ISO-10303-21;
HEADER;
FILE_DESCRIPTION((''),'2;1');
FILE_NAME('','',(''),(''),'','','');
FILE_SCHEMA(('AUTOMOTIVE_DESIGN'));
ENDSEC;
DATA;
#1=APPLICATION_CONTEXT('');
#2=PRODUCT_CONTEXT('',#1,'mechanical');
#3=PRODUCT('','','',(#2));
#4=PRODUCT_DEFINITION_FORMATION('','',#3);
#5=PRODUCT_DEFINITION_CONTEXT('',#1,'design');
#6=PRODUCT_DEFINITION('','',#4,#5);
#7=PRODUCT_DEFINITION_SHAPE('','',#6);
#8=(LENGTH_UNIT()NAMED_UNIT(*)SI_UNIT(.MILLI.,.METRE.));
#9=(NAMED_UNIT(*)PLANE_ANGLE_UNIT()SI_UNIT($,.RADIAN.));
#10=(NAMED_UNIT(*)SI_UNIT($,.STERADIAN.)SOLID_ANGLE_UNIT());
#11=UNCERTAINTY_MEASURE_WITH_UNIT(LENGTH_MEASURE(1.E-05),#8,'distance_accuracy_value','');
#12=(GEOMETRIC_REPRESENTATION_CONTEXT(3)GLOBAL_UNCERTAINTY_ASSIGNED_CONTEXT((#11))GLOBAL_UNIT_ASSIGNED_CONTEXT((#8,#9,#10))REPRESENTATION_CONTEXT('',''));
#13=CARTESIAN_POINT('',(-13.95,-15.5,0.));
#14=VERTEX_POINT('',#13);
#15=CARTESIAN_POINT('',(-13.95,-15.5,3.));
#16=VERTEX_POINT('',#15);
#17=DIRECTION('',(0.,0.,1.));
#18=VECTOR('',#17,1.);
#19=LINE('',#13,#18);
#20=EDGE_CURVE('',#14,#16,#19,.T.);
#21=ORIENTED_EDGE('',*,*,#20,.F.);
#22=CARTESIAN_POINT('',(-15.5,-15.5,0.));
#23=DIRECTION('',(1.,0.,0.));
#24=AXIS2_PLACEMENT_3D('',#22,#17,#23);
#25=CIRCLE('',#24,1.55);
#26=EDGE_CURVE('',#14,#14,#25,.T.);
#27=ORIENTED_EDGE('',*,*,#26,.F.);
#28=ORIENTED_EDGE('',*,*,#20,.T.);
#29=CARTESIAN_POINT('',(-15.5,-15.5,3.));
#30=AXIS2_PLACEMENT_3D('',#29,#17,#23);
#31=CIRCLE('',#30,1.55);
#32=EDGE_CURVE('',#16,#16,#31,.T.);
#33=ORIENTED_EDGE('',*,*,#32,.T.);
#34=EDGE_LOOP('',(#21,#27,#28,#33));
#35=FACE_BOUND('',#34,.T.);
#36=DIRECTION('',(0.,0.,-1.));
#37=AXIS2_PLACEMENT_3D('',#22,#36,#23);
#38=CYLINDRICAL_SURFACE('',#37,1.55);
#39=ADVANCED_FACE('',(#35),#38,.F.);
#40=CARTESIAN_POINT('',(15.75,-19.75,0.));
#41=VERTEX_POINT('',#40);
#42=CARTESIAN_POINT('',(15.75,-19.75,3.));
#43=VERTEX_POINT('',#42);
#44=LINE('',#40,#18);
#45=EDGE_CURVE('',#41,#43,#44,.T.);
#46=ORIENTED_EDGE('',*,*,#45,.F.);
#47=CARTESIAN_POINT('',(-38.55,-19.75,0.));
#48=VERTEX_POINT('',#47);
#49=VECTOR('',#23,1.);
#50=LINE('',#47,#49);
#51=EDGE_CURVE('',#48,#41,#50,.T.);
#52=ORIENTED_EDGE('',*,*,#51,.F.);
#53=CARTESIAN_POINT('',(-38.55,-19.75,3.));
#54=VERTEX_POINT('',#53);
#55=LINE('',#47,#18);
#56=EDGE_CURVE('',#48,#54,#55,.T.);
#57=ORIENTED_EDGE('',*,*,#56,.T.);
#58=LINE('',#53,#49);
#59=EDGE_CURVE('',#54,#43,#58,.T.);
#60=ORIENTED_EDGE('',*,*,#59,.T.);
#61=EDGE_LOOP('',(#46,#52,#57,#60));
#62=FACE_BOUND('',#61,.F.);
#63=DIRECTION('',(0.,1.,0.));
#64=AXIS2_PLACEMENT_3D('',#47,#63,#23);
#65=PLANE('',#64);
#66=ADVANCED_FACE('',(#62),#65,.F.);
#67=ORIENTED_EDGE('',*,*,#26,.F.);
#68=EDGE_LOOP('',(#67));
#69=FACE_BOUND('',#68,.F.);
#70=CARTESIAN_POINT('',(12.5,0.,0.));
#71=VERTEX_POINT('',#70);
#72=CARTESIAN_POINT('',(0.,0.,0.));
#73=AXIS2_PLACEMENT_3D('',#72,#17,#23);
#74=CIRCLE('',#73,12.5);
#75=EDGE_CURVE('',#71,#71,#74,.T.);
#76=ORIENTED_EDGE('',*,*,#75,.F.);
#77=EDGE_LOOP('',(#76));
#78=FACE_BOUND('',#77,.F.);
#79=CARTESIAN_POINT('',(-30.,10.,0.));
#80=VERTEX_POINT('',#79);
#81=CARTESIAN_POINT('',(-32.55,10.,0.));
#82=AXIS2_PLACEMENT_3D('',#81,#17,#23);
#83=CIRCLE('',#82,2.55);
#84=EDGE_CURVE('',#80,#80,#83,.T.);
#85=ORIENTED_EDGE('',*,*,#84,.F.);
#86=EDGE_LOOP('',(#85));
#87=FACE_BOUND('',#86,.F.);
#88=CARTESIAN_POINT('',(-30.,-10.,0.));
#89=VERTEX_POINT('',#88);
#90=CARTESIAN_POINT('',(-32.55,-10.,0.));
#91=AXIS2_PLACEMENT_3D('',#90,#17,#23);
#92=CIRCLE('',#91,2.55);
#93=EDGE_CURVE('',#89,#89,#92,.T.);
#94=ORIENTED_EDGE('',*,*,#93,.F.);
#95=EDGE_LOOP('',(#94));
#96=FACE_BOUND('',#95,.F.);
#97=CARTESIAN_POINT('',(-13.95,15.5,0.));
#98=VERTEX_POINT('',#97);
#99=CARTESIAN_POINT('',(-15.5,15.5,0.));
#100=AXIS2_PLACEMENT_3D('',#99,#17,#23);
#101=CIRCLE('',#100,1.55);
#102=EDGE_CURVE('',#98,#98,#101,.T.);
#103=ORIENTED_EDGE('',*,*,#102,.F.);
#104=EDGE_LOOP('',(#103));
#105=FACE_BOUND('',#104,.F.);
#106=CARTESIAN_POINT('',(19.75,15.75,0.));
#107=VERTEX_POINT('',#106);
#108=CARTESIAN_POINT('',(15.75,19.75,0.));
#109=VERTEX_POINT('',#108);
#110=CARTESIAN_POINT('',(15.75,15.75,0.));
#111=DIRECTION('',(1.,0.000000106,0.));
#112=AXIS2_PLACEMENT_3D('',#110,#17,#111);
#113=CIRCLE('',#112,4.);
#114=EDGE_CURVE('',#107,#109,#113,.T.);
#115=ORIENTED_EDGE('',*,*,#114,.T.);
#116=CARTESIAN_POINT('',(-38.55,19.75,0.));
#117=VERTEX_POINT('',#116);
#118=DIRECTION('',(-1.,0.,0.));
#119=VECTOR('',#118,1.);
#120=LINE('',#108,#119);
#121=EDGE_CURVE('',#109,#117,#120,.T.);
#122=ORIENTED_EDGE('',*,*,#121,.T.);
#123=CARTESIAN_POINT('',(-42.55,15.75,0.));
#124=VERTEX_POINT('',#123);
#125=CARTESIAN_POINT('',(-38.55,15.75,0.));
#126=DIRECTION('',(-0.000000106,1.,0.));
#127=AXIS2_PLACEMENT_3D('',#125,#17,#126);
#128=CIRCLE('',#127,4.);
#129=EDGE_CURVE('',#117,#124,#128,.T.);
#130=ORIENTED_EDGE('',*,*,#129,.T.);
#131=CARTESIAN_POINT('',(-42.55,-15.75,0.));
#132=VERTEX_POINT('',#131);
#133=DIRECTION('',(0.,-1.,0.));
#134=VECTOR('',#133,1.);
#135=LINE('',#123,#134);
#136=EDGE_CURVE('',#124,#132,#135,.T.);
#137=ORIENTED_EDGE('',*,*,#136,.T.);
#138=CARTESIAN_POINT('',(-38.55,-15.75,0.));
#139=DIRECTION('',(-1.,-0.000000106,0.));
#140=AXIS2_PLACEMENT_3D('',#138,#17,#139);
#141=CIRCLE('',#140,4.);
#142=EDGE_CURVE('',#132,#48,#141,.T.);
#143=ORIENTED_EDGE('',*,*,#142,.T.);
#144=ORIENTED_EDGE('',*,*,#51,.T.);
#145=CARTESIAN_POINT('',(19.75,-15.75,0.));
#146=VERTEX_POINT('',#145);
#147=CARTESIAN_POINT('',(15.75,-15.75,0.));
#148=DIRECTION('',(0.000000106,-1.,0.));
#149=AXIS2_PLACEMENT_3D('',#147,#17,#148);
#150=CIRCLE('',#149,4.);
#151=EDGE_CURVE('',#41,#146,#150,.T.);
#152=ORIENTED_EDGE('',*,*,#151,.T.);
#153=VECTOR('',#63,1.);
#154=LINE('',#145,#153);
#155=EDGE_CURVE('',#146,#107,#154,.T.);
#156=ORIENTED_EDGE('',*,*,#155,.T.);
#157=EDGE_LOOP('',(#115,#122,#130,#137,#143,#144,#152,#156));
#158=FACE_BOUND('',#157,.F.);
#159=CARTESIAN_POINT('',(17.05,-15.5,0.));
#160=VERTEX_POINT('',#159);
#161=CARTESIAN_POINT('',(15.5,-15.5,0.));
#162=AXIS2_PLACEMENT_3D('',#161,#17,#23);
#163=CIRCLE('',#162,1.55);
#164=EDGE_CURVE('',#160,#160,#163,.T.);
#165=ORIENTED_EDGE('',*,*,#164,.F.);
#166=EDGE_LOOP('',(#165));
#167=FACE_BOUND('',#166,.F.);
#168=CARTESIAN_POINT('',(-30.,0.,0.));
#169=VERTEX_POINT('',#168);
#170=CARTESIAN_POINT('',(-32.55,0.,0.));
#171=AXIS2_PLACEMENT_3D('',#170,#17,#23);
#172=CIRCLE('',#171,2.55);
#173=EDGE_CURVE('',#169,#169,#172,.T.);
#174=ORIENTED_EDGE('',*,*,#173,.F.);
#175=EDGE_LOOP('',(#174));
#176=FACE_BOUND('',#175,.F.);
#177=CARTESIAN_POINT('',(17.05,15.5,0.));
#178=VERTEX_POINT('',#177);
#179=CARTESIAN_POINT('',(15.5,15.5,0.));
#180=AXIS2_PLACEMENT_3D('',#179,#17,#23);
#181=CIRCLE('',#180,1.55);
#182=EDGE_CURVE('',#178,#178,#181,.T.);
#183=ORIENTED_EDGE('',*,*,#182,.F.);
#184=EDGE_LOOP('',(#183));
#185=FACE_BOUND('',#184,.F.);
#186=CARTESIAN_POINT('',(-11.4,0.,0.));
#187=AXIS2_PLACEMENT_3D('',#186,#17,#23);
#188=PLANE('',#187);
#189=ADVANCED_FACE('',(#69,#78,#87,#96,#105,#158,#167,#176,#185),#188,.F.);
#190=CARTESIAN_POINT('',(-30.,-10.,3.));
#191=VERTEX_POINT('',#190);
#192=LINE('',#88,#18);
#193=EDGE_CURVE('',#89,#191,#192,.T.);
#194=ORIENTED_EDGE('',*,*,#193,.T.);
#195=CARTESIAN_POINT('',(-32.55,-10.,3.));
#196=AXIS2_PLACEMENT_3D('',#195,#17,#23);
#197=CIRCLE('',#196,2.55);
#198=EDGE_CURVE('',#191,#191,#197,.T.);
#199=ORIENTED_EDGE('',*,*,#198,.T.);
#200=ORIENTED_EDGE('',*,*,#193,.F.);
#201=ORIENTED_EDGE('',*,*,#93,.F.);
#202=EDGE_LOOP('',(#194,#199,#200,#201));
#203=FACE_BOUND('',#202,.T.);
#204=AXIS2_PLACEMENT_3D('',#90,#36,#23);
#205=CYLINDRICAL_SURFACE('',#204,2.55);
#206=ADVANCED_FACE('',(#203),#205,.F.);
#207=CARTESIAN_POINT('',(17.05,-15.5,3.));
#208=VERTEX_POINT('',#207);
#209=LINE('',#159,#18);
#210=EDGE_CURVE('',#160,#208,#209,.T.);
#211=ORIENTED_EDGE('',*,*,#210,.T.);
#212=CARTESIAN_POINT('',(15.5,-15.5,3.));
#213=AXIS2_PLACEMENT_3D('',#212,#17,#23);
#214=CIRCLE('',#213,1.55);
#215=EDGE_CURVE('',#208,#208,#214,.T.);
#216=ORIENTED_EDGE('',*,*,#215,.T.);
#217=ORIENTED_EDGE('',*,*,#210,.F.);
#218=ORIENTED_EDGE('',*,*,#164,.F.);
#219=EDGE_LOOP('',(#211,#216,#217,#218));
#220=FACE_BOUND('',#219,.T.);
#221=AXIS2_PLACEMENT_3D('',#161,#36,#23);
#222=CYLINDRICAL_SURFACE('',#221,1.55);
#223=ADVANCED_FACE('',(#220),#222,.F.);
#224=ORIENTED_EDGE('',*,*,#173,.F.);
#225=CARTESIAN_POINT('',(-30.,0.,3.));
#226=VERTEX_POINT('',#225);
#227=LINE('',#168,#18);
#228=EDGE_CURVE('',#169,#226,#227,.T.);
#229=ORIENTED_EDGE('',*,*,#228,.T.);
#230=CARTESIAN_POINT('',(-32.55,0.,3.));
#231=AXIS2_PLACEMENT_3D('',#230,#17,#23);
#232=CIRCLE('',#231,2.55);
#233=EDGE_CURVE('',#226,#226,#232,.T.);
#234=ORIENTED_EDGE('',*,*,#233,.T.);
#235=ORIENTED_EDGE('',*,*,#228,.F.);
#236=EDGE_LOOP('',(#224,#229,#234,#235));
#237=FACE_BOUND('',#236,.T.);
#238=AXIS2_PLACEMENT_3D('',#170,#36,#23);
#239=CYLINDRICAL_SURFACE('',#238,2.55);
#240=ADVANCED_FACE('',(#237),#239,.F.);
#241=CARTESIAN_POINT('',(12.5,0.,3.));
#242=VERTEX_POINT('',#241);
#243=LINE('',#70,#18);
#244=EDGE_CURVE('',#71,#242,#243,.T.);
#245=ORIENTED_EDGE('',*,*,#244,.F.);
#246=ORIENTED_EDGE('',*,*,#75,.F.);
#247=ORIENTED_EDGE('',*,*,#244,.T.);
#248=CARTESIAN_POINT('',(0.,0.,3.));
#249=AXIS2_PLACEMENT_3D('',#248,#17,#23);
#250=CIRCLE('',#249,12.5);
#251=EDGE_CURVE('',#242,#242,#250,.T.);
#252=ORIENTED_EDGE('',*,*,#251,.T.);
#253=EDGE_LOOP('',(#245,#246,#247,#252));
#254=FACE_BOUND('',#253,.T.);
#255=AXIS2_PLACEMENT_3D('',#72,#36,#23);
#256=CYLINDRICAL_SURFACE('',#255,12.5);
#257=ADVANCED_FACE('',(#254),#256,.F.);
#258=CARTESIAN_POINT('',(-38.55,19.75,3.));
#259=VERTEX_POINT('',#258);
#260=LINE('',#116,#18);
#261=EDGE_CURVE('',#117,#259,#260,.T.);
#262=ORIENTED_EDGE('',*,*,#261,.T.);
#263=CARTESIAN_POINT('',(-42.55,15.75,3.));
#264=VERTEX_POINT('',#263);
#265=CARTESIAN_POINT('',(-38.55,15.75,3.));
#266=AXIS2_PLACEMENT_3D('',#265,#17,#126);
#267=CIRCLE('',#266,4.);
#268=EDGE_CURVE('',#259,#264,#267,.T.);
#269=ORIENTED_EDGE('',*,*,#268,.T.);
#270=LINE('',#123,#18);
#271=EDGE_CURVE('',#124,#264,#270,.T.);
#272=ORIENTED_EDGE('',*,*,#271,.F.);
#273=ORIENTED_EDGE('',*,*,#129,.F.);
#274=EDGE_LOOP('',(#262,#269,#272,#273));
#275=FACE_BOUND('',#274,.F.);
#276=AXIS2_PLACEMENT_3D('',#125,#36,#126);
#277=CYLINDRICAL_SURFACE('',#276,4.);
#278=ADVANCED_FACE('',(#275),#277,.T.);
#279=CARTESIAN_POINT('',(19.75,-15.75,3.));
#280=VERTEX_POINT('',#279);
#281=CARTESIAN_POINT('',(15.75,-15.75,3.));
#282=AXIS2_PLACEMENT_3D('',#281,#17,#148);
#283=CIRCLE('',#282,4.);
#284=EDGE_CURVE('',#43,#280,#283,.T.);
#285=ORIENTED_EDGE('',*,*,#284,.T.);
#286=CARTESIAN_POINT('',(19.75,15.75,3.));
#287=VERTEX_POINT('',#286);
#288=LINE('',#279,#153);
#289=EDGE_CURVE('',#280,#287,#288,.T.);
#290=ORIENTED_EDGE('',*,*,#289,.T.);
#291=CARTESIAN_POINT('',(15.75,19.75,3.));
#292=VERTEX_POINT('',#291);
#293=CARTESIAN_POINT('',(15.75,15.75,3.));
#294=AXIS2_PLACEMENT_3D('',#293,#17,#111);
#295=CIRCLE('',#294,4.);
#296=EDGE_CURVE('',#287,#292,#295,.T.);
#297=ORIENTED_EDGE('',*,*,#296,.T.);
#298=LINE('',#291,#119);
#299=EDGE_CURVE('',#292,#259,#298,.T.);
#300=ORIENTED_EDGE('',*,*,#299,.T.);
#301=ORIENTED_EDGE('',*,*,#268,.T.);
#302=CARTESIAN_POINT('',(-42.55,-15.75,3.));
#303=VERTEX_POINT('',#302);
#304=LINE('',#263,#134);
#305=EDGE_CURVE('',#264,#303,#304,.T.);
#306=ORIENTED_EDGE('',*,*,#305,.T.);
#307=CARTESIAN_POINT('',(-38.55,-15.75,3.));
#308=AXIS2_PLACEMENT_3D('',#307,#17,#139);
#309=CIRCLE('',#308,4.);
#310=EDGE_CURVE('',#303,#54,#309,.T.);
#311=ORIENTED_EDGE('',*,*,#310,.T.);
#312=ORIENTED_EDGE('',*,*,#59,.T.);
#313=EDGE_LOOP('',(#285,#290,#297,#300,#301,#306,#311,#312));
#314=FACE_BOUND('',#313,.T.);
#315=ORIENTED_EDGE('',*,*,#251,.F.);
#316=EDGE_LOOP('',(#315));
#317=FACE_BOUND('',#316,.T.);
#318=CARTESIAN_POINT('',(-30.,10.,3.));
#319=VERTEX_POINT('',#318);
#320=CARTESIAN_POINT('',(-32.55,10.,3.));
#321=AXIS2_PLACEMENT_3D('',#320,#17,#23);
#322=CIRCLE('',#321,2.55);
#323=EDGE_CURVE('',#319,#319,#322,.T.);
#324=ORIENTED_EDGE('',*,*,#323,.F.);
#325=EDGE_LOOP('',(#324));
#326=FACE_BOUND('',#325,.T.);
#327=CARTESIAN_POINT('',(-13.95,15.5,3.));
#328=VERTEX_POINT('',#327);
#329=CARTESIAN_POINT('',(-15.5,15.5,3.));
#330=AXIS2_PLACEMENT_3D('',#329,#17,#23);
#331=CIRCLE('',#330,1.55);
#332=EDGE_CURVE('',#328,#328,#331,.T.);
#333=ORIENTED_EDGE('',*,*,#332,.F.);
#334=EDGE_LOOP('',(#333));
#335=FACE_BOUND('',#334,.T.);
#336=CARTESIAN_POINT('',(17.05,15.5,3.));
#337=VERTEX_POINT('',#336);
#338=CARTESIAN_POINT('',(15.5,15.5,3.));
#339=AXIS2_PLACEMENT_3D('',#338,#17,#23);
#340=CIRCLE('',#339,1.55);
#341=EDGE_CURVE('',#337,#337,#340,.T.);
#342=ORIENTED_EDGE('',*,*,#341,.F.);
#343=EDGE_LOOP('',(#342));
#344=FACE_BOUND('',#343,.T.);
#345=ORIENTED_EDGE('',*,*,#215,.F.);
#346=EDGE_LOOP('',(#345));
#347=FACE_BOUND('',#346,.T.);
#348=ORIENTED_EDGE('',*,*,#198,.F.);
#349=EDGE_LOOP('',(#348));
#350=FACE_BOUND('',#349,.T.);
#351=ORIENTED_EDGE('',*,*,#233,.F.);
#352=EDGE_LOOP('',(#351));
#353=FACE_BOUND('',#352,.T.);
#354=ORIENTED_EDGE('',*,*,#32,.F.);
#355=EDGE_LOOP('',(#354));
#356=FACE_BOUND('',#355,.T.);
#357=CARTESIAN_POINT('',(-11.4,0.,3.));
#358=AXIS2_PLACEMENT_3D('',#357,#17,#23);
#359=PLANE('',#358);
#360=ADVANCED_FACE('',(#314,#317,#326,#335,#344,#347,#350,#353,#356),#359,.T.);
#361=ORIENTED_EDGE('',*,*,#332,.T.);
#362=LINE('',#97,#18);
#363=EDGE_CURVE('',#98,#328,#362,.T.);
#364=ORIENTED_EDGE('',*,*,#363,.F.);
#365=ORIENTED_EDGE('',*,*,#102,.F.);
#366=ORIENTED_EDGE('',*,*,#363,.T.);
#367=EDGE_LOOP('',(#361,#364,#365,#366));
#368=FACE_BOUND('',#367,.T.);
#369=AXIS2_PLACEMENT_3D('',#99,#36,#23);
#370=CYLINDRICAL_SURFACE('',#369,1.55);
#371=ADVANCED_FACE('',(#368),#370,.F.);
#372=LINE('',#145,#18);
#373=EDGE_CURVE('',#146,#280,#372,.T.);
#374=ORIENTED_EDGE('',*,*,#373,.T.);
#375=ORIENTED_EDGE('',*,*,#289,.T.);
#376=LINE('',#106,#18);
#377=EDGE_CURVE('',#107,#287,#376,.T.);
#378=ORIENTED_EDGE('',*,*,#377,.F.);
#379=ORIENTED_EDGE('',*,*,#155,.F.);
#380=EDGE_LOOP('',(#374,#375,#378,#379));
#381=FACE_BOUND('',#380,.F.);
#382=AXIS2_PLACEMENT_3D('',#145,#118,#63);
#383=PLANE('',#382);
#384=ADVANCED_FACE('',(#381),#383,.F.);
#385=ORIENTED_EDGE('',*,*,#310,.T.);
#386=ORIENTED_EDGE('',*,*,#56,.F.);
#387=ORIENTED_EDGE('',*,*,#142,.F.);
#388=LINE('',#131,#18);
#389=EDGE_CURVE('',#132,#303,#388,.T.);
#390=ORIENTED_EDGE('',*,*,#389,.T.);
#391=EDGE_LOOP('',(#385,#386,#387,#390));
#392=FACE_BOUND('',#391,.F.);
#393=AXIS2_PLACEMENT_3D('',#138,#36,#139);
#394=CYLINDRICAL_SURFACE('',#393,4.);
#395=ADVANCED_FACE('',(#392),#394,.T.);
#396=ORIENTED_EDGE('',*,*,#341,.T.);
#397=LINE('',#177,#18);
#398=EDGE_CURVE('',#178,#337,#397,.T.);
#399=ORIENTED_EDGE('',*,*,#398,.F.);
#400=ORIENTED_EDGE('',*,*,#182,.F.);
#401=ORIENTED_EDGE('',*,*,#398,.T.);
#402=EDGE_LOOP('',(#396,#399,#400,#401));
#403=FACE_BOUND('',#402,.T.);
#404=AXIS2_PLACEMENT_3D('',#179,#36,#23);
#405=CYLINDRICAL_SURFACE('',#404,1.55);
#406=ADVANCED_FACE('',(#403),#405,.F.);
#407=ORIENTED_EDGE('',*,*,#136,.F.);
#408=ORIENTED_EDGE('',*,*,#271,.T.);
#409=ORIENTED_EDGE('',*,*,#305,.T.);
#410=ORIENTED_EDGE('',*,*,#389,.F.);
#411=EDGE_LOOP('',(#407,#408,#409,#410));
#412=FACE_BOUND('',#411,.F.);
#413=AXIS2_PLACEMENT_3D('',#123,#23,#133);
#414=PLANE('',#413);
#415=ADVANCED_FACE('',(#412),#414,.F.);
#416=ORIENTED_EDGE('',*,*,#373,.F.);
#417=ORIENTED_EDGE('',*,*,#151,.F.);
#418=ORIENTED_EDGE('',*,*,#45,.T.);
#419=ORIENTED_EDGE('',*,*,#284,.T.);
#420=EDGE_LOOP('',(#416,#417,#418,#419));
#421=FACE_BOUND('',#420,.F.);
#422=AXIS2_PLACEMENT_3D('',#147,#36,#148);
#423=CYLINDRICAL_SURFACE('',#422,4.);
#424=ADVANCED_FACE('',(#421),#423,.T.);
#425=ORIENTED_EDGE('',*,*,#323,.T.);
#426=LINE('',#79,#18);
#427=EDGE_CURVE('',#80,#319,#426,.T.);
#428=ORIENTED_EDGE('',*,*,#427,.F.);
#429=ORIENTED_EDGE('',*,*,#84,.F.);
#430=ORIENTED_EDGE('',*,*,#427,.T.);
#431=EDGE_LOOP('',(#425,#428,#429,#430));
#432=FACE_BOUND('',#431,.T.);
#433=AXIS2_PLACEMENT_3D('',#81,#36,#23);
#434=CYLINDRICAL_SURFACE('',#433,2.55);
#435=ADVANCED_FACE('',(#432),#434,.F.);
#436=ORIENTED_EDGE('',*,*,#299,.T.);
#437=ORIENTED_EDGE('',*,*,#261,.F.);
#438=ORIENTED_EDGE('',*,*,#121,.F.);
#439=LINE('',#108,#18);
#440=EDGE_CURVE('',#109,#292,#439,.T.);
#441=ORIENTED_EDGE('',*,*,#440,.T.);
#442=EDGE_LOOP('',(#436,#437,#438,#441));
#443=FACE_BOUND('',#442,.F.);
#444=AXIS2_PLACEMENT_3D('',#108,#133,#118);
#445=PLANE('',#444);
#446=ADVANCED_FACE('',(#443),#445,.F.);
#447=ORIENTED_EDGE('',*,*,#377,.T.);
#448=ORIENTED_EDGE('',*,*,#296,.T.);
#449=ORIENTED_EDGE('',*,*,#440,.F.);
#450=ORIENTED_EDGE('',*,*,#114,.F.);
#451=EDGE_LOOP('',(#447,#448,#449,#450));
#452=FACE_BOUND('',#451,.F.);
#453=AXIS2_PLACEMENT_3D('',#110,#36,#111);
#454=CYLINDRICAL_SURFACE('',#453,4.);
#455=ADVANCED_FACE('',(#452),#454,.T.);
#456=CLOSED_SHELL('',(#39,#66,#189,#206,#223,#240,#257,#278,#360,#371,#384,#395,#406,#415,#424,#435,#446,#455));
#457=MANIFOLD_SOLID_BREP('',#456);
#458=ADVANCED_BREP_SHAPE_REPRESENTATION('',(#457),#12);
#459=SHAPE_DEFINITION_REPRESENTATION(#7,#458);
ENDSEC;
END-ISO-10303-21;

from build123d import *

# Parameters (mm, degrees)
F0_R     = 2.55
F0_R_2   = 1.55
F0_R_3   = 12.5
F1_DEPTH = 3


with BuildPart() as f1:
    # F0 (on Top) → F1 (new body)
    with BuildSketch(Plane.XY):
        with BuildLine():
            ThreePointArc((19.75, 15.75), (18.578427, 18.578427), (15.75, 19.75))
            Line((15.75, 19.75), (-38.55, 19.75))
            ThreePointArc((-38.55, 19.75), (-41.378427, 18.578427), (-42.55, 15.75))
            Line((-42.55, 15.75), (-42.55, -15.75))
            ThreePointArc((-42.55, -15.75), (-41.378427, -18.578427), (-38.55, -19.75))
            Line((-38.55, -19.75), (15.75, -19.75))
            ThreePointArc((15.75, -19.75), (18.578427, -18.578427), (19.75, -15.75))
            Line((19.75, -15.75), (19.75, 15.75))
        make_face()
        with Locations((-32.55, -10)):
            Circle(F0_R, mode=Mode.SUBTRACT)
        with Locations((-15.5, -15.5)):
            Circle(F0_R_2, mode=Mode.SUBTRACT)
        with Locations((15.5, -15.5)):
            Circle(F0_R_2, mode=Mode.SUBTRACT)
        with Locations((-32.55, 0)):
            Circle(F0_R, mode=Mode.SUBTRACT)
        with Locations((-32.55, 10)):
            Circle(F0_R, mode=Mode.SUBTRACT)
        with Locations((-15.5, 15.5)):
            Circle(F0_R_2, mode=Mode.SUBTRACT)
        Circle(F0_R_3, mode=Mode.SUBTRACT)
        with Locations((15.5, 15.5)):
            Circle(F0_R_2, mode=Mode.SUBTRACT)
    extrude(amount=F1_DEPTH)


solid = f1.part
